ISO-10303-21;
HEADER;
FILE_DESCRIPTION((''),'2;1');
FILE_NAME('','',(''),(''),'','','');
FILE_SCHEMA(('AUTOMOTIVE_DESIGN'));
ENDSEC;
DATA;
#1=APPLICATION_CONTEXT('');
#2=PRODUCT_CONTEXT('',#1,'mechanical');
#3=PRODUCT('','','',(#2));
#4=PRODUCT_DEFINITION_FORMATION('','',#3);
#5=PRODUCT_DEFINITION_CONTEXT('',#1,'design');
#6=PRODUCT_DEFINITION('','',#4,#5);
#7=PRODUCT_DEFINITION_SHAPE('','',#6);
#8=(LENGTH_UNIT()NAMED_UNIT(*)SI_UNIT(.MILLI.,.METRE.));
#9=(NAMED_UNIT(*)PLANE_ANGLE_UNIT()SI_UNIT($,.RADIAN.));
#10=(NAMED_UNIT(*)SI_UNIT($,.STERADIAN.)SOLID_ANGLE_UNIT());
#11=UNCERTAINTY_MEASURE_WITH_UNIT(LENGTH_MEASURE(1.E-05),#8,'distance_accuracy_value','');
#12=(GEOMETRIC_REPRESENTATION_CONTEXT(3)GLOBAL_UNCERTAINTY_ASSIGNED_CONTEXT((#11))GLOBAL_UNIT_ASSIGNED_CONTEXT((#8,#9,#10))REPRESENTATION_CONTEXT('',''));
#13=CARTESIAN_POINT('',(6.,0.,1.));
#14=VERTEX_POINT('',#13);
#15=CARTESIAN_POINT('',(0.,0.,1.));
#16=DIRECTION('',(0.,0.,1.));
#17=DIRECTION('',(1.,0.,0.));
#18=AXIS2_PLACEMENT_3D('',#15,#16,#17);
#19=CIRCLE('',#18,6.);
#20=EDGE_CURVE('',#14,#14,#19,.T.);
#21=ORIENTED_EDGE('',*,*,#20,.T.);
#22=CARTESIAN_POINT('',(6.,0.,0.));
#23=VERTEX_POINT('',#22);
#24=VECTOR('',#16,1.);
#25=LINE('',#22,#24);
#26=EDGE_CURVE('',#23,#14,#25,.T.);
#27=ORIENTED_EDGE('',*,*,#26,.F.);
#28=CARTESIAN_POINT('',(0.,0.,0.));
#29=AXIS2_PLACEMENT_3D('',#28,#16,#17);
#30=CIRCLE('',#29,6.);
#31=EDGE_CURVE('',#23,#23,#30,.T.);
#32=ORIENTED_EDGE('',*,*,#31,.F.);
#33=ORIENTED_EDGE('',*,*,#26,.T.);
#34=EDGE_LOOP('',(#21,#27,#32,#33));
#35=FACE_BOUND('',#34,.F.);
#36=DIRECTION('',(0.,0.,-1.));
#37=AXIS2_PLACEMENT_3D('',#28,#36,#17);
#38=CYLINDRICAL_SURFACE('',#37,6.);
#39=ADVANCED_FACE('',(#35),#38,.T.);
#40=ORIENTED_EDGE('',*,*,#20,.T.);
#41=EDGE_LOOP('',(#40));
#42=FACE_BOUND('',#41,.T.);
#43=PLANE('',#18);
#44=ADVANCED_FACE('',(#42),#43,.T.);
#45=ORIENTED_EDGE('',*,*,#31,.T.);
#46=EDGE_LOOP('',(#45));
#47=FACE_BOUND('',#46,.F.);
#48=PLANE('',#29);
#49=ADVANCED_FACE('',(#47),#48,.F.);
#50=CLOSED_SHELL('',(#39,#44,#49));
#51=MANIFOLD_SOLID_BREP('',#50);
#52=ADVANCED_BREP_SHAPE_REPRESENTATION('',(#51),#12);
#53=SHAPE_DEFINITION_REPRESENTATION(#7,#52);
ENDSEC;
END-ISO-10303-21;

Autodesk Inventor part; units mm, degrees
ref_plane "YZ Plane" through (0, 0, 0) normal (1, 0, 0) x (0, 1, 0)
ref_plane "XZ Plane" through (0, 0, 0) normal (0, 1, 0) x (-1, 0, 0)
ref_plane "XY Plane" through (0, 0, 0) normal (0, 0, 1) x (1, 0, 0)
sketch "Эскиз1" plane through (0, 0, 0) normal (0, 0, 1) x (1, 0, 0)
  circle A0 centre (0, 0) radius 6
  dimension "d0" = 12
extrude "Выдавливание1" add sketch "Эскиз1" along normal blind 1
properties part number "резинка"
